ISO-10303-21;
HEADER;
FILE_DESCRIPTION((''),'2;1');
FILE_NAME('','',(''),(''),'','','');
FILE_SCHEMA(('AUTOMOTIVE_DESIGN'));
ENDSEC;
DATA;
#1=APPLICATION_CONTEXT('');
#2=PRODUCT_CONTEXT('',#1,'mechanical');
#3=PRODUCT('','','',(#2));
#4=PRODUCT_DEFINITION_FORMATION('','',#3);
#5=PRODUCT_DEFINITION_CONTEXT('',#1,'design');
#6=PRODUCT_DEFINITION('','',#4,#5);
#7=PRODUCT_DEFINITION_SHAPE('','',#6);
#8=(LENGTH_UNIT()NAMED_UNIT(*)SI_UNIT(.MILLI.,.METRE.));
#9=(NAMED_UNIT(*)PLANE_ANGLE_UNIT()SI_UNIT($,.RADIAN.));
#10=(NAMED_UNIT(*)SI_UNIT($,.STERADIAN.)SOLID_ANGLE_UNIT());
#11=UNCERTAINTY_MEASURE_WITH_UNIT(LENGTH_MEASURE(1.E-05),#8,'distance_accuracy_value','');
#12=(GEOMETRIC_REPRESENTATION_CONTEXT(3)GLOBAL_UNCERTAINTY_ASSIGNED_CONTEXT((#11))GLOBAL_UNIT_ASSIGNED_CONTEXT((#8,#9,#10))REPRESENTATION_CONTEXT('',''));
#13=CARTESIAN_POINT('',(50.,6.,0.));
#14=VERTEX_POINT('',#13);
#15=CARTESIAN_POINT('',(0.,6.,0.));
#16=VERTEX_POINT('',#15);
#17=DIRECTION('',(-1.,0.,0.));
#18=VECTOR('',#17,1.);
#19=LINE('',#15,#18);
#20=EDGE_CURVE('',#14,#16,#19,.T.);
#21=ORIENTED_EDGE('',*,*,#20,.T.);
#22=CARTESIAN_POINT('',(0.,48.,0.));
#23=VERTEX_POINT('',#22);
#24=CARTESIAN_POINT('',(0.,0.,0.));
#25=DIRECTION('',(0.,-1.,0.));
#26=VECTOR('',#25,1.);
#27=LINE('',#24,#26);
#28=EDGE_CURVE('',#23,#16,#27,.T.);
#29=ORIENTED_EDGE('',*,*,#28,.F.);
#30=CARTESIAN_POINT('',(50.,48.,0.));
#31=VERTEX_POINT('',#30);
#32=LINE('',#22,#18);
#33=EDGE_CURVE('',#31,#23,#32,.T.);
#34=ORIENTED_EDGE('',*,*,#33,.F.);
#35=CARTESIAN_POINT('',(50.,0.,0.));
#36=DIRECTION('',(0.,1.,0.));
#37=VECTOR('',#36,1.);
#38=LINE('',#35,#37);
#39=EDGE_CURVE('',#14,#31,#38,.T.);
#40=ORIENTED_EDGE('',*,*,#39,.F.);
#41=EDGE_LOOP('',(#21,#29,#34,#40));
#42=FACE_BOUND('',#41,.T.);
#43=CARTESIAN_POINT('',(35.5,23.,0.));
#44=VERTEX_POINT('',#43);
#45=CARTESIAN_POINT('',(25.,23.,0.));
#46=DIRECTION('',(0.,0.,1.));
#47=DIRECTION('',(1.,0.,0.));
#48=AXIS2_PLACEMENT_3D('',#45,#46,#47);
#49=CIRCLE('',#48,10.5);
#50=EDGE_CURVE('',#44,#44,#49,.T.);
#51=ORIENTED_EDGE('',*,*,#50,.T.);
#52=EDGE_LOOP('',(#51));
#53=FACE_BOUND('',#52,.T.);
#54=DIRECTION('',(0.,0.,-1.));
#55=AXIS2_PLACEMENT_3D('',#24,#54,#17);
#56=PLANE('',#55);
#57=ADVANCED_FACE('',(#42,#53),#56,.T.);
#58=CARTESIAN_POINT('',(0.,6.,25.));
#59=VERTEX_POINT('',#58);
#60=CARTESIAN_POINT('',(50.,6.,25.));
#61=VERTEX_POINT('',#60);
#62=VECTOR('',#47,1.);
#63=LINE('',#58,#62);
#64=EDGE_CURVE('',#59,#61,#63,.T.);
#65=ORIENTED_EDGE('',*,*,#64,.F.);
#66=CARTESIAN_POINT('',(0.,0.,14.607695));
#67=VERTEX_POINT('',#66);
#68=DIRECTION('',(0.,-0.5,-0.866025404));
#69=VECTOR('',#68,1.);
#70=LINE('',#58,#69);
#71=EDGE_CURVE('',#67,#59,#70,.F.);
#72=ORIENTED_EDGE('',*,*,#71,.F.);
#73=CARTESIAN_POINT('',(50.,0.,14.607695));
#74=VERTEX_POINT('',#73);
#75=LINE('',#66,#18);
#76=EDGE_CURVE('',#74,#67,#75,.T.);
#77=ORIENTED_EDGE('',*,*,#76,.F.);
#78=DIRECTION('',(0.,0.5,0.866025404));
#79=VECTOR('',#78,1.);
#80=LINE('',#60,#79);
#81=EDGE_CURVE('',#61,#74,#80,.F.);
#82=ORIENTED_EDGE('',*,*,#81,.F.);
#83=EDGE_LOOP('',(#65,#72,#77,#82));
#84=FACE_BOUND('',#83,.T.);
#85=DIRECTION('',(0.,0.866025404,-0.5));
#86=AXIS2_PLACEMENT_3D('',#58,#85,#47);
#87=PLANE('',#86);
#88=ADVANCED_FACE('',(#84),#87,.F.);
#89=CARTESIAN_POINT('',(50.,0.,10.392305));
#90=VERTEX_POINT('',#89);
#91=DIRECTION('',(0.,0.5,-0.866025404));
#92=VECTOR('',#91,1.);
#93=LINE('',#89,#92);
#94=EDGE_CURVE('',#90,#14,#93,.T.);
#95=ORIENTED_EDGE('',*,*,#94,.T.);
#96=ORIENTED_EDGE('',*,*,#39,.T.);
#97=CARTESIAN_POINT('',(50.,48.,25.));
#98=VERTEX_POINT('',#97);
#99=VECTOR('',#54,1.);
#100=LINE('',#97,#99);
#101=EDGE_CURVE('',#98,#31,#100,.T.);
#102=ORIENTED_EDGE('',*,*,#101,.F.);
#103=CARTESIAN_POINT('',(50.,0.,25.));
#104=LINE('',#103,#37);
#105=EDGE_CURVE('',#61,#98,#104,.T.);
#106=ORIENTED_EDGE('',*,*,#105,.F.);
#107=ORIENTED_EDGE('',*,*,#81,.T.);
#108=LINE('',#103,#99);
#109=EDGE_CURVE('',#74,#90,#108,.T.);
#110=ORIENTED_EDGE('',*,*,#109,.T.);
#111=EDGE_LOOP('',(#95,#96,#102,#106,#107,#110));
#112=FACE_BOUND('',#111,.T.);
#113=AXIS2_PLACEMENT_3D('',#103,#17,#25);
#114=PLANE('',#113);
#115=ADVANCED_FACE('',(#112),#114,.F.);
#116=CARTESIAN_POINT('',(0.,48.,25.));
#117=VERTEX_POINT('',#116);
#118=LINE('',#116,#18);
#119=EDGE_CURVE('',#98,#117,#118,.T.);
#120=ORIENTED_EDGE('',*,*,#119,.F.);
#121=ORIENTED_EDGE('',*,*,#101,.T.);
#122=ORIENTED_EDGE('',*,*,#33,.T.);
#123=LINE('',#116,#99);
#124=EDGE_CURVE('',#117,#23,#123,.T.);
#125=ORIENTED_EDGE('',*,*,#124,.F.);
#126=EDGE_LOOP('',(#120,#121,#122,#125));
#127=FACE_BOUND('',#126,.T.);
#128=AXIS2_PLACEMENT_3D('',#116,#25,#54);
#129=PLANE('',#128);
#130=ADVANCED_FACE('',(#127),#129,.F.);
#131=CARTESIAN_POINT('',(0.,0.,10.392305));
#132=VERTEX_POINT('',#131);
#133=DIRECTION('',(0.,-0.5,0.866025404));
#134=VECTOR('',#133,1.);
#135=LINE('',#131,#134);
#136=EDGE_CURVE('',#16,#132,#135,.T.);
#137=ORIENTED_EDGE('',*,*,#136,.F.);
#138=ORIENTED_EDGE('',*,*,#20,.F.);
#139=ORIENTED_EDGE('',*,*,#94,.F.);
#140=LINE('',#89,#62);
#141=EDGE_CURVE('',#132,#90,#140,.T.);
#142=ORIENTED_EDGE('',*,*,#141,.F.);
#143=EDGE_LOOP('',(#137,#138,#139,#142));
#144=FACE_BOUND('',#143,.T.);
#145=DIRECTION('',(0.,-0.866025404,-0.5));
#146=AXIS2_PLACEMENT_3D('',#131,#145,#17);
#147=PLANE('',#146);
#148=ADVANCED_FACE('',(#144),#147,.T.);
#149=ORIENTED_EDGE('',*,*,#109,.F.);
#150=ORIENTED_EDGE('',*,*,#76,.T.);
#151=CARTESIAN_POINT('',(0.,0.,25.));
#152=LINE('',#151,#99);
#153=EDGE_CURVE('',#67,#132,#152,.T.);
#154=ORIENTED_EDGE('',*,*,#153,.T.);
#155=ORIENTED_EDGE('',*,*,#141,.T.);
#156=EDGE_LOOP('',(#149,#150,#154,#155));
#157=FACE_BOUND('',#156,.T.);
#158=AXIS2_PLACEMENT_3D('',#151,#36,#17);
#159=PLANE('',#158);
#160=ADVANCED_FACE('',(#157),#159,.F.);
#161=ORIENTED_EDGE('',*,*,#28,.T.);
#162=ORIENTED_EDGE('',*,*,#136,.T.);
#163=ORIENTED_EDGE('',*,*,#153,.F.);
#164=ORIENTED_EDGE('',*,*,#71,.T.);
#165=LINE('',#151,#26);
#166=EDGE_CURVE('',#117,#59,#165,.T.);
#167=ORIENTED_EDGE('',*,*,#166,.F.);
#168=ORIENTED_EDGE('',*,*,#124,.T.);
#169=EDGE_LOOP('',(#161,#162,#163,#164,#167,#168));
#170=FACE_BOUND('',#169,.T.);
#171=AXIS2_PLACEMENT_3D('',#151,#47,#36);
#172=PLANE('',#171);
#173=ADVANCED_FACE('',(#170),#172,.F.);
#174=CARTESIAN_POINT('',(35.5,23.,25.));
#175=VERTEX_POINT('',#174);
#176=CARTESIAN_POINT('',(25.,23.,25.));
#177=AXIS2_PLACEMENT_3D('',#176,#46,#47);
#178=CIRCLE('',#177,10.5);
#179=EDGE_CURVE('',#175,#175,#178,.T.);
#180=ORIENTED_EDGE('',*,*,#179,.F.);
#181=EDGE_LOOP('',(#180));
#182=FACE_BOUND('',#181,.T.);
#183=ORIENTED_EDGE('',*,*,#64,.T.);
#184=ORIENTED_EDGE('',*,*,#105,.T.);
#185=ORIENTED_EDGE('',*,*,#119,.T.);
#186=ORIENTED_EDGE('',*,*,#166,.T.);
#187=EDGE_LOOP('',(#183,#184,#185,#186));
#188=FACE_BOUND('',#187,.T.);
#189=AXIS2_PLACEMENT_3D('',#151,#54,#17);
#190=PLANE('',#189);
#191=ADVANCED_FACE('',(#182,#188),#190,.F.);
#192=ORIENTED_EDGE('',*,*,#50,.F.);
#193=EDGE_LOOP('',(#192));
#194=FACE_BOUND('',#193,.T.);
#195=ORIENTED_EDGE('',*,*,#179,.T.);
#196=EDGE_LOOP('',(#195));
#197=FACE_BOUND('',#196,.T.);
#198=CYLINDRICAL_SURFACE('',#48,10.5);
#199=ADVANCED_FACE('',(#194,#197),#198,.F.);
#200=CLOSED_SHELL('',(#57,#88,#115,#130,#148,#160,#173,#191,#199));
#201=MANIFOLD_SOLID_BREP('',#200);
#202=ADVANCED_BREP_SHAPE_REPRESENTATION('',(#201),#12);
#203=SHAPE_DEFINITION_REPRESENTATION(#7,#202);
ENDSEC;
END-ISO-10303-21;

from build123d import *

# Parameters (mm, degrees)
SKETCH_1_W          = 50
SKETCH_1_H          = 48
EXTRUDE_1_DEPTH     = 25
SKETCH_2_R          = 10.5
CUT_EXTRUDE_1_DEPTH = 26
CHAMFER_1_SIZE      = 6
CHAMFER_1_SIZE2     = 10.392304845
CHAMFER_2_SIZE      = 6
CHAMFER_2_SIZE2     = 10.392304845


with BuildPart() as part:
    # Эскиз1 → Бобышка-Вытянуть1 (new body)
    with BuildSketch(Plane.XY):
        with Locations((25, 24)):
            Rectangle(SKETCH_1_W, SKETCH_1_H)
    extrude(amount=EXTRUDE_1_DEPTH)

    # Эскиз2 → Вырез-Вытянуть1 (cut, through all)
    with BuildSketch(Plane.XY.offset(25)):
        with Locations((25, 23)):
            Circle(SKETCH_2_R)
    extrude(amount=-CUT_EXTRUDE_1_DEPTH, mode=Mode.SUBTRACT)

    # Фаска1
    chamfer_1_edges = [part.edges().sort_by_distance(p)[0] for p in [
        (25, 0, 0),
    ]]
    chamfer_1_side = [part.faces().sort_by_distance(p)[0] for p in [
        (25, 0.693108938, 0),
    ]]
    chamfer(chamfer_1_edges, length=CHAMFER_1_SIZE, length2=CHAMFER_1_SIZE2, reference=chamfer_1_side[0])

    # Фаска2
    chamfer_2_edges = [part.edges().sort_by_distance(p)[0] for p in [
        (25, 0, 25),
    ]]
    chamfer_2_side = [part.faces().sort_by_distance(p)[0] for p in [
        (25, 0.693108938, 25),
    ]]
    chamfer(chamfer_2_edges, length=CHAMFER_2_SIZE, length2=CHAMFER_2_SIZE2, reference=chamfer_2_side[0])


solid = part.part
